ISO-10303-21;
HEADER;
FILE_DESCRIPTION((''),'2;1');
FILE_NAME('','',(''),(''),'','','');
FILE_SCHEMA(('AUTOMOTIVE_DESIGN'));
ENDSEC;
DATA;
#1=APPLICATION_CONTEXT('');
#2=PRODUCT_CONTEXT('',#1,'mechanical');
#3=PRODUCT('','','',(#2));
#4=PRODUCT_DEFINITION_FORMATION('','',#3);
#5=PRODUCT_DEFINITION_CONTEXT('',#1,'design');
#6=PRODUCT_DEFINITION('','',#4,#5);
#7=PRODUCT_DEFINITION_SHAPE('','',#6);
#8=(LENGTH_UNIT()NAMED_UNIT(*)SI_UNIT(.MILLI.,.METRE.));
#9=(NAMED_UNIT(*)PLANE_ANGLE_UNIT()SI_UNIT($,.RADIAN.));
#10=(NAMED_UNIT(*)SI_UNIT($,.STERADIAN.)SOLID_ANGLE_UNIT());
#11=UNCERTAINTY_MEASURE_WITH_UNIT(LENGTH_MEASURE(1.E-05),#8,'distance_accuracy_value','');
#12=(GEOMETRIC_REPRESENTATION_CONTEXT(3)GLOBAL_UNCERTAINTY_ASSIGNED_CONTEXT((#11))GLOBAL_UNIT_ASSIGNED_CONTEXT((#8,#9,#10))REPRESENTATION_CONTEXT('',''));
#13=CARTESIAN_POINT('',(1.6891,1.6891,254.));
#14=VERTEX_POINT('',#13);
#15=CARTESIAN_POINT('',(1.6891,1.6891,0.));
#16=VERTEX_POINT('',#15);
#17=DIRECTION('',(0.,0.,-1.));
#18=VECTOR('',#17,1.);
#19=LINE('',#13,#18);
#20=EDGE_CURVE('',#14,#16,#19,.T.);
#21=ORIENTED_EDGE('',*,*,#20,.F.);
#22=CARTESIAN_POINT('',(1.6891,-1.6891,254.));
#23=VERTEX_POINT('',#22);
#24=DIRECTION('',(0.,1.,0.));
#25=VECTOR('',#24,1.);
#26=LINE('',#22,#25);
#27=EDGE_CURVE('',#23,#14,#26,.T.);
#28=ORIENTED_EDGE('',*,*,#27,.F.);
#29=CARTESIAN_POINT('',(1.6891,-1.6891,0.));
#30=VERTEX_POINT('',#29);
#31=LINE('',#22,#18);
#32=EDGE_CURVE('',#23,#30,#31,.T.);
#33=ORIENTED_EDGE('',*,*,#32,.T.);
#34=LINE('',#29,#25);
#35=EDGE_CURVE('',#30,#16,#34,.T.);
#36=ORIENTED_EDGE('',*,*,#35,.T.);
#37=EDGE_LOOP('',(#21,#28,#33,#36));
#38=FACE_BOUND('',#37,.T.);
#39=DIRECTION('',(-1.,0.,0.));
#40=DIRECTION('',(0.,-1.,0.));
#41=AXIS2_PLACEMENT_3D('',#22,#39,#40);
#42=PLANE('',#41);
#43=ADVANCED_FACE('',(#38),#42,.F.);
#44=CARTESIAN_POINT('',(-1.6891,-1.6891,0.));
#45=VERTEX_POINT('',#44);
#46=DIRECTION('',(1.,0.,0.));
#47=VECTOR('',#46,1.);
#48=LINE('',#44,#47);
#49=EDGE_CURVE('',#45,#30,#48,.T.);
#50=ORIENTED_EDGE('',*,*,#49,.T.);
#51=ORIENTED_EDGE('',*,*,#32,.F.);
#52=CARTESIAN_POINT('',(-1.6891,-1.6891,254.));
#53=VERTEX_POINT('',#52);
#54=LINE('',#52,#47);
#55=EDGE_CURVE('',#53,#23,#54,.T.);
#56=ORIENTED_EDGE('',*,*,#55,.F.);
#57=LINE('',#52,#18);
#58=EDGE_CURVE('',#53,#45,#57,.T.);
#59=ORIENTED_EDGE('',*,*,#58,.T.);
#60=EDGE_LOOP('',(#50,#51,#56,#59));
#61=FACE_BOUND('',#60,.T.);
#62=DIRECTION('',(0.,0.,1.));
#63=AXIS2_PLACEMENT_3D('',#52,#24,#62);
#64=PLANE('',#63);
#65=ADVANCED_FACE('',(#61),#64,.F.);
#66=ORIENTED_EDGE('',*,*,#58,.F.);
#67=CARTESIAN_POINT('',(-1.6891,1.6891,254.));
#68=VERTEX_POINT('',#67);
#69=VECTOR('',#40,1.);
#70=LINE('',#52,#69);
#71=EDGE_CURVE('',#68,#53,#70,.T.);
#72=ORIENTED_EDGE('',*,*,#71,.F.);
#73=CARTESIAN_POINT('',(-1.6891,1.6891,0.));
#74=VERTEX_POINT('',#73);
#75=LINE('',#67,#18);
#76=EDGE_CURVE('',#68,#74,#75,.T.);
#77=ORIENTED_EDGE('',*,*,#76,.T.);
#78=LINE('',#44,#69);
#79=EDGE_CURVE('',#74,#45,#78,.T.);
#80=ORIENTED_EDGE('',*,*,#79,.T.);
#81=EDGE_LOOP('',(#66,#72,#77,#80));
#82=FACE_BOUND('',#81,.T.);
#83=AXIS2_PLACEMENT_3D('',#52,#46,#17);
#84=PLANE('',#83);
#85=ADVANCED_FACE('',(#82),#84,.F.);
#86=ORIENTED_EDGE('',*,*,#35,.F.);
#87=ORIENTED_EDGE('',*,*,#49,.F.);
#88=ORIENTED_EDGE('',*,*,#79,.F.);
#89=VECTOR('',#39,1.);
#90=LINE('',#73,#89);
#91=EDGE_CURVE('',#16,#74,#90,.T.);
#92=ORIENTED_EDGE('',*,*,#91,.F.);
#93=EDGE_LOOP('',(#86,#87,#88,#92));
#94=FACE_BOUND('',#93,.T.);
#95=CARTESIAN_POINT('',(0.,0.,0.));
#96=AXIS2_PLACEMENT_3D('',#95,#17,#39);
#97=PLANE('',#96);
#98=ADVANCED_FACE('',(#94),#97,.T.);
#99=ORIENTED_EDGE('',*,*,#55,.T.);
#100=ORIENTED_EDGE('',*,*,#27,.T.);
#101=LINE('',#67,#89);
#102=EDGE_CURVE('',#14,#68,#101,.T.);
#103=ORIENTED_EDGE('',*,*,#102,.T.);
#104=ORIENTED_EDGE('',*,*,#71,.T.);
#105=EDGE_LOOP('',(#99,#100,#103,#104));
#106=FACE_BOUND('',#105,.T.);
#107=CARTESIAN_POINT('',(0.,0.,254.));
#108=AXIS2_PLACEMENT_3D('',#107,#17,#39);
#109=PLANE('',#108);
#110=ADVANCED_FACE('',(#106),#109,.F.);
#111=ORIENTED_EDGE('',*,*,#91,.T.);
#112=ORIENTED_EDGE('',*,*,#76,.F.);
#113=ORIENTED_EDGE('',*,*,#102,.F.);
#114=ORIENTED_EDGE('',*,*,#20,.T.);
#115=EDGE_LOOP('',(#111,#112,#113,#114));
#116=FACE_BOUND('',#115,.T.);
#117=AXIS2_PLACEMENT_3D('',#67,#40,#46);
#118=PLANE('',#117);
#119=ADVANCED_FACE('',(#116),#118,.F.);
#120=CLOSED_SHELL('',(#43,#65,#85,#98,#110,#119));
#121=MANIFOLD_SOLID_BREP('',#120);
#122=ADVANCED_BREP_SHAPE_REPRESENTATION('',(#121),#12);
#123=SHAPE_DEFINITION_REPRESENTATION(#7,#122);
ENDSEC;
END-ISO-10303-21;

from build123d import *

# Parameters (mm, degrees)
SKETCH1_W           = 3.3782
SKETCH1_H           = 3.3782
BOSS_EXTRUDE1_DEPTH = 254


with BuildPart() as part:
    # Sketch1 → Boss-Extrude1 (new body)
    with BuildSketch(Plane.XY):
        Rectangle(SKETCH1_W, SKETCH1_H)
    extrude(amount=BOSS_EXTRUDE1_DEPTH)


solid = part.part
